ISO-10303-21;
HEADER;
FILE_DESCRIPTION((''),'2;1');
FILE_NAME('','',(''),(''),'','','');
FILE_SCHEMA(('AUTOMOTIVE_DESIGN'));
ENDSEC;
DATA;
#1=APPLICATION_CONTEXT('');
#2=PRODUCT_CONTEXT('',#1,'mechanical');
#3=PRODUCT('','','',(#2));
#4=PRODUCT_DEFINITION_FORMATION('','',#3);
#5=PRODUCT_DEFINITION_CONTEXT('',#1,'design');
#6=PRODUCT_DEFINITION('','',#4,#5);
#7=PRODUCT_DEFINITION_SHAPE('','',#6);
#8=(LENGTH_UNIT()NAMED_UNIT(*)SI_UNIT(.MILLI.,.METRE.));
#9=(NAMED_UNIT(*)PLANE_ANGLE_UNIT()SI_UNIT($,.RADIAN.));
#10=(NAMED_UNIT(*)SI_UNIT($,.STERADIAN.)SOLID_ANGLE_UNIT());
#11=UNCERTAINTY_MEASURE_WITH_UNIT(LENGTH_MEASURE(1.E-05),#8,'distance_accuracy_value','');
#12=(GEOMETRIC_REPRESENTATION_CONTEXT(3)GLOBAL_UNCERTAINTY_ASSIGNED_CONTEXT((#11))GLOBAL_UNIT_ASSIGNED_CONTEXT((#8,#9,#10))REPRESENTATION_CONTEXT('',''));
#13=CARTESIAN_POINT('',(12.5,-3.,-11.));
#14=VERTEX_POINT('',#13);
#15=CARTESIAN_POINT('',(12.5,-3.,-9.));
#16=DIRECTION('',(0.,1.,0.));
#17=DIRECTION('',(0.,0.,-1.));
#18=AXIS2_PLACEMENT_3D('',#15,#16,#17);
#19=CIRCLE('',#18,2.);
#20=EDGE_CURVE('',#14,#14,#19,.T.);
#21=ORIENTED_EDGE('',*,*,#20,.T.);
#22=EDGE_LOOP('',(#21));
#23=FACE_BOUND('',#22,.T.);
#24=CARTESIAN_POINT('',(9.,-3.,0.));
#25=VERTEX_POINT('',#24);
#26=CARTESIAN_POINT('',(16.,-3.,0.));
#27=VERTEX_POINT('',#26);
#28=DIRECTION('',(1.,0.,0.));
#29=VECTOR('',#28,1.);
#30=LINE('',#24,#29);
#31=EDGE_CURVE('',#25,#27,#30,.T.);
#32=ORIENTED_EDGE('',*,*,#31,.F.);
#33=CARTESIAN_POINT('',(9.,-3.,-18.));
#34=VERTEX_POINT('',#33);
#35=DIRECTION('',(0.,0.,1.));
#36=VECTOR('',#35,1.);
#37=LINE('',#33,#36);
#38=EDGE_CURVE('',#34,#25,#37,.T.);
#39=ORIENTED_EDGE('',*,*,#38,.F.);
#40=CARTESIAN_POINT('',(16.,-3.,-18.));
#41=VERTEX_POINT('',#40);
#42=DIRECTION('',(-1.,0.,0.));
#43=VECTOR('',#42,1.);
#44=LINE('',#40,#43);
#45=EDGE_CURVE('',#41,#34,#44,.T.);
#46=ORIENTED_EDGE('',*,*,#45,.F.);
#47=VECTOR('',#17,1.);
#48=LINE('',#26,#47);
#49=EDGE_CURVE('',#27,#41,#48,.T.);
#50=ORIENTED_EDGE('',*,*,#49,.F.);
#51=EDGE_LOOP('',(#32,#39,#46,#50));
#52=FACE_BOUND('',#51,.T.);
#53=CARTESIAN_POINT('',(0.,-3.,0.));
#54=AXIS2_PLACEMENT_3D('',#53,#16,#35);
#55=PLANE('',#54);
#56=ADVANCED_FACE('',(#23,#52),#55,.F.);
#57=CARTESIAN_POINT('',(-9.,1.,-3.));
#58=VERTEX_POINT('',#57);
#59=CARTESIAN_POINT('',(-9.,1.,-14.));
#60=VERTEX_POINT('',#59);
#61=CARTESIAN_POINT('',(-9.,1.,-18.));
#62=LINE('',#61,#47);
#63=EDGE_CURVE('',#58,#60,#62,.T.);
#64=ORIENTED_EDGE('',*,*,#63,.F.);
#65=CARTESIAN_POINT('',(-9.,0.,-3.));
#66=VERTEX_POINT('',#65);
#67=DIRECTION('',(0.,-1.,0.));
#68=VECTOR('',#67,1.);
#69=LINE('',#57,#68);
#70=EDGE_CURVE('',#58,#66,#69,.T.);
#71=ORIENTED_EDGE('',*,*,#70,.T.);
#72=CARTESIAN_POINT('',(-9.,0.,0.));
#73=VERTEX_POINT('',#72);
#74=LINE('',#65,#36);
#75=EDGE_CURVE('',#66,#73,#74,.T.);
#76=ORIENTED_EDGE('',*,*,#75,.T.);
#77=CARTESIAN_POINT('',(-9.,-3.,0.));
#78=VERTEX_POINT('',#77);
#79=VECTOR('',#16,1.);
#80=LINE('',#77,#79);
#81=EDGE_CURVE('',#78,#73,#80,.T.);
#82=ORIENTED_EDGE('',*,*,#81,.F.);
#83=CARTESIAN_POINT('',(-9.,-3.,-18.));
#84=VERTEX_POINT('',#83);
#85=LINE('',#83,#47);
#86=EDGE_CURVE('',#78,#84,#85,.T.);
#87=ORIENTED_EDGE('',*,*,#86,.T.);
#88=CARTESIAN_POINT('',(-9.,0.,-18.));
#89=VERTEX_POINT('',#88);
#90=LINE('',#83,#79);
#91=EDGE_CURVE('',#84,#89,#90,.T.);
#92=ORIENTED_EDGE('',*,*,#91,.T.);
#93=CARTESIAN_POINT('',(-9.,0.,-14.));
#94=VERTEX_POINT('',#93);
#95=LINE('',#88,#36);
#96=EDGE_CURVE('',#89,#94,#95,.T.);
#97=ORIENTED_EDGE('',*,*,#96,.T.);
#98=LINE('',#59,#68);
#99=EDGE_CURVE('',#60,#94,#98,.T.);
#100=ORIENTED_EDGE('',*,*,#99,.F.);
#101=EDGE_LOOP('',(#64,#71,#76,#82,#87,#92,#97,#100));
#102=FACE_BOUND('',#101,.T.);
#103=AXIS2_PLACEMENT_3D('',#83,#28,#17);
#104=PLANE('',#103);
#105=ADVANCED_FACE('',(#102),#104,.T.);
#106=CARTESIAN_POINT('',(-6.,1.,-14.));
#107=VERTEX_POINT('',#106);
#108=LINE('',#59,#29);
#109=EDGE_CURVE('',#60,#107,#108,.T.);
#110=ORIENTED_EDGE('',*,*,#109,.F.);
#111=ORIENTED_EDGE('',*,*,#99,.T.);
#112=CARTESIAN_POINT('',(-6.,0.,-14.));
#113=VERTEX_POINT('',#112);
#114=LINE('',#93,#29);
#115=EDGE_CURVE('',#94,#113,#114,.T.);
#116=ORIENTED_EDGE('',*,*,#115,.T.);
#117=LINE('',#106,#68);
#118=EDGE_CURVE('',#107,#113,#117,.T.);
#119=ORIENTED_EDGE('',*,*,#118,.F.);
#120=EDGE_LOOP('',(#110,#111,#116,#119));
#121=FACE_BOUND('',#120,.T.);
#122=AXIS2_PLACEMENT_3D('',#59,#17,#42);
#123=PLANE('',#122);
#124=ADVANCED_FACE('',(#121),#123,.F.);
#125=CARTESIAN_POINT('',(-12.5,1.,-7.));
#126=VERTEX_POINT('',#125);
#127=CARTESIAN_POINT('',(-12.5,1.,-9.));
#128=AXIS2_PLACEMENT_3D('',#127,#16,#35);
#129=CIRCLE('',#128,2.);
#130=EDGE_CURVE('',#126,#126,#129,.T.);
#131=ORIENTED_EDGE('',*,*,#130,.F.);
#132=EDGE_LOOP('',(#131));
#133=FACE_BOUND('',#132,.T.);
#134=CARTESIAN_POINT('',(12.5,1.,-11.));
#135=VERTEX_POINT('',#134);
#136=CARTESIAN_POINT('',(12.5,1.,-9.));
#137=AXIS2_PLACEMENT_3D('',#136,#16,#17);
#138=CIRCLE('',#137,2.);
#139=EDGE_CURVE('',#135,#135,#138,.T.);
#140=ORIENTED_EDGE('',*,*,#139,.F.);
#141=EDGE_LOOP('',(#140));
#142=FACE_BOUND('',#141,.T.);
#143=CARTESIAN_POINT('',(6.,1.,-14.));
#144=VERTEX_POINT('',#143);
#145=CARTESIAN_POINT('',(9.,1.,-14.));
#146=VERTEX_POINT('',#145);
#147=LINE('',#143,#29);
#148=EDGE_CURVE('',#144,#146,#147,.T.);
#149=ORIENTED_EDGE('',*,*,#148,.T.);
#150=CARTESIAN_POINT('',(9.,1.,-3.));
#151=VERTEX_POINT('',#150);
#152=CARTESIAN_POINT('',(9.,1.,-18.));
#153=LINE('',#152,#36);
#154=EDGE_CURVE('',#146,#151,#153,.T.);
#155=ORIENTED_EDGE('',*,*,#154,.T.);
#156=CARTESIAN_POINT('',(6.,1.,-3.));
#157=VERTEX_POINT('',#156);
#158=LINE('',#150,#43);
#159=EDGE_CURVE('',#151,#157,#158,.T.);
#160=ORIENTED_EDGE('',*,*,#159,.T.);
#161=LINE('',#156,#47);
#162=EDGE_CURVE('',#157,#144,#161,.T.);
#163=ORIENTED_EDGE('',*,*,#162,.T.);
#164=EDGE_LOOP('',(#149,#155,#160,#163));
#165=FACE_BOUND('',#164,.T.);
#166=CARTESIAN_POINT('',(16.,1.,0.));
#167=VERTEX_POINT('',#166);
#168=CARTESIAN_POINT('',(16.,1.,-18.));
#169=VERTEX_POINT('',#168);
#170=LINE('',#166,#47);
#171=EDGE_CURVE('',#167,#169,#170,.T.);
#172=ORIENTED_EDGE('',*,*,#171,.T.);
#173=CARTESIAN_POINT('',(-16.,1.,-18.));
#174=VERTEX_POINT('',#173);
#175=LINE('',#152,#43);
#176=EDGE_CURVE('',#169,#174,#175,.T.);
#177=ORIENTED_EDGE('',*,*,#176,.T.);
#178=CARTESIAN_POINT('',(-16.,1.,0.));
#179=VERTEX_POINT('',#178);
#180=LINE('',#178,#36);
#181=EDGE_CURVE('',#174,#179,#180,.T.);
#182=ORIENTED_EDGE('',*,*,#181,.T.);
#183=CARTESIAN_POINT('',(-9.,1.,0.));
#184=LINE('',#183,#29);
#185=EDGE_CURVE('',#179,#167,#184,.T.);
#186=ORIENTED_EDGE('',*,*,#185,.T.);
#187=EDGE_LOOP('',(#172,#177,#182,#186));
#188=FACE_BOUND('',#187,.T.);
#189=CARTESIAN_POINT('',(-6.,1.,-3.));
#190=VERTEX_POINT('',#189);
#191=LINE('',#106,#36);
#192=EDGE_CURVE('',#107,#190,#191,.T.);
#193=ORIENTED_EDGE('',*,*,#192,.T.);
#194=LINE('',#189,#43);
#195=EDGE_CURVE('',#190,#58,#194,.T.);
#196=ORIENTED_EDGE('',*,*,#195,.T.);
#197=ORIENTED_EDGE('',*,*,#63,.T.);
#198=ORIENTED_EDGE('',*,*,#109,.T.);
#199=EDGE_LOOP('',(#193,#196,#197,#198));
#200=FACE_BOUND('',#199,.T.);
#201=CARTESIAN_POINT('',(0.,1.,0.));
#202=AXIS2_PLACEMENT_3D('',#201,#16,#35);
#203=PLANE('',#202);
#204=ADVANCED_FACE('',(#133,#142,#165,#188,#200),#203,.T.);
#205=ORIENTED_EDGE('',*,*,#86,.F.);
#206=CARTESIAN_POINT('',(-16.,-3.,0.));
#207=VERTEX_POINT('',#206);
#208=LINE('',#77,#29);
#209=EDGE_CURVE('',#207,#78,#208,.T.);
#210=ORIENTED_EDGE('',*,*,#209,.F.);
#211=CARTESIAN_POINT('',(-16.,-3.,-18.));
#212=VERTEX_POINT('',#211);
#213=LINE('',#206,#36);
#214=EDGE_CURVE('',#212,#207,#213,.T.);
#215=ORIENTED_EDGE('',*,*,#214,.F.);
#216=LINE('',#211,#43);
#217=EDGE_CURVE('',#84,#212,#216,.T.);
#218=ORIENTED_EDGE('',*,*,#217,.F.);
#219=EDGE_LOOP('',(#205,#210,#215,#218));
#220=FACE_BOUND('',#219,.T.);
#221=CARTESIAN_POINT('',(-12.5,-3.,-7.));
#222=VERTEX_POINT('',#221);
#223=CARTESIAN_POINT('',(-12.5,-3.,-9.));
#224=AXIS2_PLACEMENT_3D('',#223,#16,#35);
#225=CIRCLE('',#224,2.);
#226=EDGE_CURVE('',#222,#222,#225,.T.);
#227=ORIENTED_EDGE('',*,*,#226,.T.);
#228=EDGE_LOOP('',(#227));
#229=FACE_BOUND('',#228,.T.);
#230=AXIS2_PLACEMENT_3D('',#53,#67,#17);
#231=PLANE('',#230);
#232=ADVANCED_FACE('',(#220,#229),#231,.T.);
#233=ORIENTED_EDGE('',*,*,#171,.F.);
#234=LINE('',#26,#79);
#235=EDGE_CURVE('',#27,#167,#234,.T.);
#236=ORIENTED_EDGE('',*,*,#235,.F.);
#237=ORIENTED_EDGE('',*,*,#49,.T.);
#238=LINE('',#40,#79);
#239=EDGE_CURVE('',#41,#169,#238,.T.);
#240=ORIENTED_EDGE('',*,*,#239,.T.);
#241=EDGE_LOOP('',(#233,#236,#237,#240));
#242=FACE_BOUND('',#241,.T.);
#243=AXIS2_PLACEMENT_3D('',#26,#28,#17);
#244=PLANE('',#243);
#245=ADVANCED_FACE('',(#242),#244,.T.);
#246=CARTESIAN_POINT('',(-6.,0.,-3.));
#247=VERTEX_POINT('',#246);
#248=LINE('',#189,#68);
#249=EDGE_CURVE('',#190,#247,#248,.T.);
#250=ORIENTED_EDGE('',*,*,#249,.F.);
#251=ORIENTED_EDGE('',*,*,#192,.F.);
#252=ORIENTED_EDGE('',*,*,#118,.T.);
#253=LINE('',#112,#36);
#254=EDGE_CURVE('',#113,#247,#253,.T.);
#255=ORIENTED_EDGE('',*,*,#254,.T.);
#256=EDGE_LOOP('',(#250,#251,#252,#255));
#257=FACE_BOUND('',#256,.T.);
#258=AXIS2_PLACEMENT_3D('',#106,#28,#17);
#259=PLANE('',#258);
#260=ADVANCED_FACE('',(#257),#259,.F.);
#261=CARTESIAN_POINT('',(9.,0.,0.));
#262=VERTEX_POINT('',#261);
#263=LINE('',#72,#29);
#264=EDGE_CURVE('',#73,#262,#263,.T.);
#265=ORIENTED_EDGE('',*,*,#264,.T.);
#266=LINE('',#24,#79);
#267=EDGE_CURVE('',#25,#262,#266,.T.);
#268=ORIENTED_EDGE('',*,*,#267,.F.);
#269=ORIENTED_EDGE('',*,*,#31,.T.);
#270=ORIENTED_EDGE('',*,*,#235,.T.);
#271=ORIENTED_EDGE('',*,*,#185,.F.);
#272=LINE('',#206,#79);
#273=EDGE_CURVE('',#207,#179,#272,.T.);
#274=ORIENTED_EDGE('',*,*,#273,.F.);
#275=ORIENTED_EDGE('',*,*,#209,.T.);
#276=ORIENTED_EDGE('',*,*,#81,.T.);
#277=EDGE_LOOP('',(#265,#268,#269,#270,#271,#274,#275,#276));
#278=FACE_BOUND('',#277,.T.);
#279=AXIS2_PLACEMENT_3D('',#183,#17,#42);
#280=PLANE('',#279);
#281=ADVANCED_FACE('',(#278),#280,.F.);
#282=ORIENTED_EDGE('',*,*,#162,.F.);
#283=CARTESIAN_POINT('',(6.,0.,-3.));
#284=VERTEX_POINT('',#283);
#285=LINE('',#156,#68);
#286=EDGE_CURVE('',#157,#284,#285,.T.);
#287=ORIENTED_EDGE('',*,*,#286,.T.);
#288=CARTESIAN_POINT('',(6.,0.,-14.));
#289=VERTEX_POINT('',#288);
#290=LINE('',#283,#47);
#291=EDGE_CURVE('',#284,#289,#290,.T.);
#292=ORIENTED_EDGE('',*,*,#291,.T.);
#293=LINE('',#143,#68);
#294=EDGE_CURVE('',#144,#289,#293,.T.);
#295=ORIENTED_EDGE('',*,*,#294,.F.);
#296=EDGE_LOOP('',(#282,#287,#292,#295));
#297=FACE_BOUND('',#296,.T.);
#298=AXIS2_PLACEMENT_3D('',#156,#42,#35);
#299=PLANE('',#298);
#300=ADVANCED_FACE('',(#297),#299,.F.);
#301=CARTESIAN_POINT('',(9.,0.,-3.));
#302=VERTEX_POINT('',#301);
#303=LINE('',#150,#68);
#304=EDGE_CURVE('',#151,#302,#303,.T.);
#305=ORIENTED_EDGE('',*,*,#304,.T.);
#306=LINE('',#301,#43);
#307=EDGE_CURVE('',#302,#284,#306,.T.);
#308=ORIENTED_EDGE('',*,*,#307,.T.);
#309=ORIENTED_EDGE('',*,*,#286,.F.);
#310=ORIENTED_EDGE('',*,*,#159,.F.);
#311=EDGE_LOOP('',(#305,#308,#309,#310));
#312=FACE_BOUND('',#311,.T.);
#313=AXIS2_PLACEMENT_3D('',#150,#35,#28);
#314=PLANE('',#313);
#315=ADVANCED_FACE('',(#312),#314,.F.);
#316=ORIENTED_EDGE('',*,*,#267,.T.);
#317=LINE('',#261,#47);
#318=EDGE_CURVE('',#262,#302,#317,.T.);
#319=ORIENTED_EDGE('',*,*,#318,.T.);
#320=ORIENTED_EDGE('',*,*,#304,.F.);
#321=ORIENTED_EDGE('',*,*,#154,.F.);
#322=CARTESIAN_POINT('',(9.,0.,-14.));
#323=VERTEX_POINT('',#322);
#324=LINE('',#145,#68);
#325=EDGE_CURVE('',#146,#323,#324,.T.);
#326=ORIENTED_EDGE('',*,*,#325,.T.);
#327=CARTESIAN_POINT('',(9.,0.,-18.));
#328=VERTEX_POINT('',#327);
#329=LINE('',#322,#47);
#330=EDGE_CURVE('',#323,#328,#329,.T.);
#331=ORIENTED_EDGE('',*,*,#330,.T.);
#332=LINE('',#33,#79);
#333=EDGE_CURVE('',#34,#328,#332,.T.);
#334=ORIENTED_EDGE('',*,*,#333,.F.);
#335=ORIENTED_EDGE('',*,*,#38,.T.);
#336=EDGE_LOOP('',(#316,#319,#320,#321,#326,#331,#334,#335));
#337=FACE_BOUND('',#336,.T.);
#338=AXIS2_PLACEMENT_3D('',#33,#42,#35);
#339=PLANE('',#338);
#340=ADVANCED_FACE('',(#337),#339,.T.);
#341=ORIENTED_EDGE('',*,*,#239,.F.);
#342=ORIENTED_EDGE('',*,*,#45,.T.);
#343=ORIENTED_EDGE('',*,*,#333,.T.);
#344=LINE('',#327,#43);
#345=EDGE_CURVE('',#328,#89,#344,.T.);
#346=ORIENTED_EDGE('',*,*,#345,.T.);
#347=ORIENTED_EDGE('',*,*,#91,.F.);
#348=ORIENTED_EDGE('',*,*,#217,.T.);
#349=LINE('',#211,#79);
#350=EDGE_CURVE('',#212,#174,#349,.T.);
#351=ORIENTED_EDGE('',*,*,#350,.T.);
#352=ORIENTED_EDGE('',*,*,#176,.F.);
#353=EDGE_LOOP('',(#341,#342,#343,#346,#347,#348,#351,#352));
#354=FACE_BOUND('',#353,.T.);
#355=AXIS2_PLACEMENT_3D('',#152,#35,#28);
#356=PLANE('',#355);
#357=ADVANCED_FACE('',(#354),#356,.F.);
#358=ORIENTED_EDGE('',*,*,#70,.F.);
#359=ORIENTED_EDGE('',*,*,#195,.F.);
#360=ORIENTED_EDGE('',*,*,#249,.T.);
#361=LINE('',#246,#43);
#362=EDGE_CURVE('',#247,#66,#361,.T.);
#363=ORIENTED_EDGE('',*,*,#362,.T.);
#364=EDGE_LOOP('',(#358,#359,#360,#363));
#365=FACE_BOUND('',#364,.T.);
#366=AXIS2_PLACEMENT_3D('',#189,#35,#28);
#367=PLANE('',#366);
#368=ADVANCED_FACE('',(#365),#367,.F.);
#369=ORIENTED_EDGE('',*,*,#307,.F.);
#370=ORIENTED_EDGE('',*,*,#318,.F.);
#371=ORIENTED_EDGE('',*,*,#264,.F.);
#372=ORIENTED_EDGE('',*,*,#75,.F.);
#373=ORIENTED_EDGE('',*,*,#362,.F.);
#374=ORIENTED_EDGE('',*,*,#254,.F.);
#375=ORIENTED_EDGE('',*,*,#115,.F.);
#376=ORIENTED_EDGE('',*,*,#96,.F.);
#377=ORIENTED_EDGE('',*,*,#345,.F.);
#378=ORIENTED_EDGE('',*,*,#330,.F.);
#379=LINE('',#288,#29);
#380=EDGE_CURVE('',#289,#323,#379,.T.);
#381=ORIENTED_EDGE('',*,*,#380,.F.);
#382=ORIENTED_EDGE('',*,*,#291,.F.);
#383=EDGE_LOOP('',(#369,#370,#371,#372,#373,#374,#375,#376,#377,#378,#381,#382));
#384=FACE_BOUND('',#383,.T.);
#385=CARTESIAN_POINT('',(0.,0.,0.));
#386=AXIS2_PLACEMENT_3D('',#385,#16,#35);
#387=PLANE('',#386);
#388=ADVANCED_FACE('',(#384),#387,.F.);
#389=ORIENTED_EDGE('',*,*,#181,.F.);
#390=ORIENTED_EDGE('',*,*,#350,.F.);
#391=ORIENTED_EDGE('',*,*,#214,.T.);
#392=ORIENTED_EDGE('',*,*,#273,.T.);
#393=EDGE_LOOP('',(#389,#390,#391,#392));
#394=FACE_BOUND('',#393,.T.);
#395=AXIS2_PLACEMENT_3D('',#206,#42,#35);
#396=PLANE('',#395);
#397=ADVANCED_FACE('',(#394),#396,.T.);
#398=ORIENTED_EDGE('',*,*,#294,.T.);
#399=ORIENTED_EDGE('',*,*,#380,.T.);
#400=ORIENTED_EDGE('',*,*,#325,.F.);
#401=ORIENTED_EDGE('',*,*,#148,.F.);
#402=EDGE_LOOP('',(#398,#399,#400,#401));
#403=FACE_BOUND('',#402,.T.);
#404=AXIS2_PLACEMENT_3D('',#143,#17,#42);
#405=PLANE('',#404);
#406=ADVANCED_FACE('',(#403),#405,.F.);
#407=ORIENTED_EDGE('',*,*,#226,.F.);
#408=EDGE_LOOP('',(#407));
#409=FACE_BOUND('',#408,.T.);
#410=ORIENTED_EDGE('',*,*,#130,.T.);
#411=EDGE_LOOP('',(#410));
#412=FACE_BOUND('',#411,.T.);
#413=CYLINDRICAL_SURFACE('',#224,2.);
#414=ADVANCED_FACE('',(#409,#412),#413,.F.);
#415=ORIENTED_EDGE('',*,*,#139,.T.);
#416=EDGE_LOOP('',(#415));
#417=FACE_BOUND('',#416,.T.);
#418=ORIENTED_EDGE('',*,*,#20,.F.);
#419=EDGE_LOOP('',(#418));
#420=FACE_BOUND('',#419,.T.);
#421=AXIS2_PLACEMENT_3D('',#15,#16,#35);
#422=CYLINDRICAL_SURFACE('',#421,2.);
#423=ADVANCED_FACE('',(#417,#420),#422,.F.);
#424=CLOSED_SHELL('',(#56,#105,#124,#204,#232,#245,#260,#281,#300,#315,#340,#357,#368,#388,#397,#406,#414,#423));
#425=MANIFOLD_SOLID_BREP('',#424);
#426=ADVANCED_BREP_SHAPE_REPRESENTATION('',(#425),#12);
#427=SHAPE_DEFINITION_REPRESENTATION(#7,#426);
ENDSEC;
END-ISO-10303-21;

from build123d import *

# Parameters (mm, degrees)
BOSS_EXTRUDE1_DEPTH = 1
SKETCH2_W           = 7
SKETCH2_H           = 18
SKETCH2_R           = 2
BOSS_EXTRUDE2_DEPTH = 4


with BuildPart() as part:
    # Sketch1 → Boss-Extrude1 (new body)
    with BuildSketch(Plane(origin=(0, 0, 0), x_dir=(1, 0, 0), z_dir=(0, 1, 0))):
        Polygon((-9, 0), (9, 0), (9, 3), (6, 3), (6, 14), (9, 14), (9, 18), (-9, 18), (-9, 14), (-6, 14), (-6, 3), (-9, 3), align=None)
    extrude(amount=BOSS_EXTRUDE1_DEPTH)

    # Sketch2 → Boss-Extrude2 (add)
    # profile 1 of 2: a face of its own
    with BuildSketch(Plane(origin=(0, 1, 0), x_dir=(1, 0, 0), z_dir=(0, 1, 0))):
        with Locations((-12.5, 9)):
            Rectangle(SKETCH2_W, SKETCH2_H)
        with Locations(Location((-12.5, 9, 0), (0, 0, 270))):
            Circle(SKETCH2_R, mode=Mode.SUBTRACT)
    # profile 2 of 2: a face of its own
    with BuildSketch(Plane(origin=(0, 1, 0), x_dir=(1, 0, 0), z_dir=(0, 1, 0))):
        with Locations((12.5, 9)):
            Rectangle(SKETCH2_W, SKETCH2_H)
        with Locations(Location((12.5, 9, 0), (0, 0, 90))):
            Circle(SKETCH2_R, mode=Mode.SUBTRACT)
    extrude(amount=-BOSS_EXTRUDE2_DEPTH)


solid = part.part
